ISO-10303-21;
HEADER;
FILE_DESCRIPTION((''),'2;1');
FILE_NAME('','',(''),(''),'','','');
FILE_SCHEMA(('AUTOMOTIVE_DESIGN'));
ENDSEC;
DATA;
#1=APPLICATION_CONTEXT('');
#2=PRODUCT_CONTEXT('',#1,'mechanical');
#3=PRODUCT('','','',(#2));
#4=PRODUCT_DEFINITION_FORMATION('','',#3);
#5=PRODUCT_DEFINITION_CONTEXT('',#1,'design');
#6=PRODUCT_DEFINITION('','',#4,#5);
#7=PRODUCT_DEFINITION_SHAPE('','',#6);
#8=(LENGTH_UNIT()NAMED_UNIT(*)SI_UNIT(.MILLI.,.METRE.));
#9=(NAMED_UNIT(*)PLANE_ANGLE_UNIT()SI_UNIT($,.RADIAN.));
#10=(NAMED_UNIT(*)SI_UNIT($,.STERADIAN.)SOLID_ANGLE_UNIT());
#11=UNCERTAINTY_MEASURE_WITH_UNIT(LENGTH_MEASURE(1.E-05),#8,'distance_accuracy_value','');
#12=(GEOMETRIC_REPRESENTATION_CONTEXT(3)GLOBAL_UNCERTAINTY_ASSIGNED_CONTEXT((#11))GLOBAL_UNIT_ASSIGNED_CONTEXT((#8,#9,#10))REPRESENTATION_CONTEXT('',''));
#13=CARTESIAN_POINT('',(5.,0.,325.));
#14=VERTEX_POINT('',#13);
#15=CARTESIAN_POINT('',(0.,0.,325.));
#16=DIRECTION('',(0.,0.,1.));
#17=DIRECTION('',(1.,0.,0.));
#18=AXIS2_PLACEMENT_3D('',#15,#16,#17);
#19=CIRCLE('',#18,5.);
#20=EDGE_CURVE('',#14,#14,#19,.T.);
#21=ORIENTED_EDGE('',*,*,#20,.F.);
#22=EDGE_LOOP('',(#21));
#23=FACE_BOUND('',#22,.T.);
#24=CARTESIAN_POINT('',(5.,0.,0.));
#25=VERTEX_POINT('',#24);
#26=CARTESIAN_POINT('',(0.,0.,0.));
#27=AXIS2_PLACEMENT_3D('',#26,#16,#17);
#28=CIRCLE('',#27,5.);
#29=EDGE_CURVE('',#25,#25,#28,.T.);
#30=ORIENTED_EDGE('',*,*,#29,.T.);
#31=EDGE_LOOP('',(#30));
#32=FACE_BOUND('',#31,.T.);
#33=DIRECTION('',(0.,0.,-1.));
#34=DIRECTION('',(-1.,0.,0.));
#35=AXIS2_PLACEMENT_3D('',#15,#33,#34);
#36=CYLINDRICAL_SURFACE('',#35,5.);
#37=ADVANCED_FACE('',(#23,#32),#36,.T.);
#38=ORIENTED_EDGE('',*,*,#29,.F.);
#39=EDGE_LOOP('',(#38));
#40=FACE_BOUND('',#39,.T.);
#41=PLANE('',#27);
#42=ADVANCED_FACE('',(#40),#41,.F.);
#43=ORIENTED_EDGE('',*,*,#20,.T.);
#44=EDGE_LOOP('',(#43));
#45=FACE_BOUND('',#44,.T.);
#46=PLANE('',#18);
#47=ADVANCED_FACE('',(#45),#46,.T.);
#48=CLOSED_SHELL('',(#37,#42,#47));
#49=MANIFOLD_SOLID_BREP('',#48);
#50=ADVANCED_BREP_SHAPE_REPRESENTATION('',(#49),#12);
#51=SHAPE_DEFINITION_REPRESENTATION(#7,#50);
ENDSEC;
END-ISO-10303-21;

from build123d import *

# Parameters (mm, degrees)
SKETCH1_R           = 5
BOSS_EXTRUDE1_DEPTH = 325


with BuildPart() as part:
    # Sketch1 → Boss-Extrude1 (new body)
    with BuildSketch(Plane.XY):
        Circle(SKETCH1_R)
    extrude(amount=BOSS_EXTRUDE1_DEPTH)


solid = part.part
